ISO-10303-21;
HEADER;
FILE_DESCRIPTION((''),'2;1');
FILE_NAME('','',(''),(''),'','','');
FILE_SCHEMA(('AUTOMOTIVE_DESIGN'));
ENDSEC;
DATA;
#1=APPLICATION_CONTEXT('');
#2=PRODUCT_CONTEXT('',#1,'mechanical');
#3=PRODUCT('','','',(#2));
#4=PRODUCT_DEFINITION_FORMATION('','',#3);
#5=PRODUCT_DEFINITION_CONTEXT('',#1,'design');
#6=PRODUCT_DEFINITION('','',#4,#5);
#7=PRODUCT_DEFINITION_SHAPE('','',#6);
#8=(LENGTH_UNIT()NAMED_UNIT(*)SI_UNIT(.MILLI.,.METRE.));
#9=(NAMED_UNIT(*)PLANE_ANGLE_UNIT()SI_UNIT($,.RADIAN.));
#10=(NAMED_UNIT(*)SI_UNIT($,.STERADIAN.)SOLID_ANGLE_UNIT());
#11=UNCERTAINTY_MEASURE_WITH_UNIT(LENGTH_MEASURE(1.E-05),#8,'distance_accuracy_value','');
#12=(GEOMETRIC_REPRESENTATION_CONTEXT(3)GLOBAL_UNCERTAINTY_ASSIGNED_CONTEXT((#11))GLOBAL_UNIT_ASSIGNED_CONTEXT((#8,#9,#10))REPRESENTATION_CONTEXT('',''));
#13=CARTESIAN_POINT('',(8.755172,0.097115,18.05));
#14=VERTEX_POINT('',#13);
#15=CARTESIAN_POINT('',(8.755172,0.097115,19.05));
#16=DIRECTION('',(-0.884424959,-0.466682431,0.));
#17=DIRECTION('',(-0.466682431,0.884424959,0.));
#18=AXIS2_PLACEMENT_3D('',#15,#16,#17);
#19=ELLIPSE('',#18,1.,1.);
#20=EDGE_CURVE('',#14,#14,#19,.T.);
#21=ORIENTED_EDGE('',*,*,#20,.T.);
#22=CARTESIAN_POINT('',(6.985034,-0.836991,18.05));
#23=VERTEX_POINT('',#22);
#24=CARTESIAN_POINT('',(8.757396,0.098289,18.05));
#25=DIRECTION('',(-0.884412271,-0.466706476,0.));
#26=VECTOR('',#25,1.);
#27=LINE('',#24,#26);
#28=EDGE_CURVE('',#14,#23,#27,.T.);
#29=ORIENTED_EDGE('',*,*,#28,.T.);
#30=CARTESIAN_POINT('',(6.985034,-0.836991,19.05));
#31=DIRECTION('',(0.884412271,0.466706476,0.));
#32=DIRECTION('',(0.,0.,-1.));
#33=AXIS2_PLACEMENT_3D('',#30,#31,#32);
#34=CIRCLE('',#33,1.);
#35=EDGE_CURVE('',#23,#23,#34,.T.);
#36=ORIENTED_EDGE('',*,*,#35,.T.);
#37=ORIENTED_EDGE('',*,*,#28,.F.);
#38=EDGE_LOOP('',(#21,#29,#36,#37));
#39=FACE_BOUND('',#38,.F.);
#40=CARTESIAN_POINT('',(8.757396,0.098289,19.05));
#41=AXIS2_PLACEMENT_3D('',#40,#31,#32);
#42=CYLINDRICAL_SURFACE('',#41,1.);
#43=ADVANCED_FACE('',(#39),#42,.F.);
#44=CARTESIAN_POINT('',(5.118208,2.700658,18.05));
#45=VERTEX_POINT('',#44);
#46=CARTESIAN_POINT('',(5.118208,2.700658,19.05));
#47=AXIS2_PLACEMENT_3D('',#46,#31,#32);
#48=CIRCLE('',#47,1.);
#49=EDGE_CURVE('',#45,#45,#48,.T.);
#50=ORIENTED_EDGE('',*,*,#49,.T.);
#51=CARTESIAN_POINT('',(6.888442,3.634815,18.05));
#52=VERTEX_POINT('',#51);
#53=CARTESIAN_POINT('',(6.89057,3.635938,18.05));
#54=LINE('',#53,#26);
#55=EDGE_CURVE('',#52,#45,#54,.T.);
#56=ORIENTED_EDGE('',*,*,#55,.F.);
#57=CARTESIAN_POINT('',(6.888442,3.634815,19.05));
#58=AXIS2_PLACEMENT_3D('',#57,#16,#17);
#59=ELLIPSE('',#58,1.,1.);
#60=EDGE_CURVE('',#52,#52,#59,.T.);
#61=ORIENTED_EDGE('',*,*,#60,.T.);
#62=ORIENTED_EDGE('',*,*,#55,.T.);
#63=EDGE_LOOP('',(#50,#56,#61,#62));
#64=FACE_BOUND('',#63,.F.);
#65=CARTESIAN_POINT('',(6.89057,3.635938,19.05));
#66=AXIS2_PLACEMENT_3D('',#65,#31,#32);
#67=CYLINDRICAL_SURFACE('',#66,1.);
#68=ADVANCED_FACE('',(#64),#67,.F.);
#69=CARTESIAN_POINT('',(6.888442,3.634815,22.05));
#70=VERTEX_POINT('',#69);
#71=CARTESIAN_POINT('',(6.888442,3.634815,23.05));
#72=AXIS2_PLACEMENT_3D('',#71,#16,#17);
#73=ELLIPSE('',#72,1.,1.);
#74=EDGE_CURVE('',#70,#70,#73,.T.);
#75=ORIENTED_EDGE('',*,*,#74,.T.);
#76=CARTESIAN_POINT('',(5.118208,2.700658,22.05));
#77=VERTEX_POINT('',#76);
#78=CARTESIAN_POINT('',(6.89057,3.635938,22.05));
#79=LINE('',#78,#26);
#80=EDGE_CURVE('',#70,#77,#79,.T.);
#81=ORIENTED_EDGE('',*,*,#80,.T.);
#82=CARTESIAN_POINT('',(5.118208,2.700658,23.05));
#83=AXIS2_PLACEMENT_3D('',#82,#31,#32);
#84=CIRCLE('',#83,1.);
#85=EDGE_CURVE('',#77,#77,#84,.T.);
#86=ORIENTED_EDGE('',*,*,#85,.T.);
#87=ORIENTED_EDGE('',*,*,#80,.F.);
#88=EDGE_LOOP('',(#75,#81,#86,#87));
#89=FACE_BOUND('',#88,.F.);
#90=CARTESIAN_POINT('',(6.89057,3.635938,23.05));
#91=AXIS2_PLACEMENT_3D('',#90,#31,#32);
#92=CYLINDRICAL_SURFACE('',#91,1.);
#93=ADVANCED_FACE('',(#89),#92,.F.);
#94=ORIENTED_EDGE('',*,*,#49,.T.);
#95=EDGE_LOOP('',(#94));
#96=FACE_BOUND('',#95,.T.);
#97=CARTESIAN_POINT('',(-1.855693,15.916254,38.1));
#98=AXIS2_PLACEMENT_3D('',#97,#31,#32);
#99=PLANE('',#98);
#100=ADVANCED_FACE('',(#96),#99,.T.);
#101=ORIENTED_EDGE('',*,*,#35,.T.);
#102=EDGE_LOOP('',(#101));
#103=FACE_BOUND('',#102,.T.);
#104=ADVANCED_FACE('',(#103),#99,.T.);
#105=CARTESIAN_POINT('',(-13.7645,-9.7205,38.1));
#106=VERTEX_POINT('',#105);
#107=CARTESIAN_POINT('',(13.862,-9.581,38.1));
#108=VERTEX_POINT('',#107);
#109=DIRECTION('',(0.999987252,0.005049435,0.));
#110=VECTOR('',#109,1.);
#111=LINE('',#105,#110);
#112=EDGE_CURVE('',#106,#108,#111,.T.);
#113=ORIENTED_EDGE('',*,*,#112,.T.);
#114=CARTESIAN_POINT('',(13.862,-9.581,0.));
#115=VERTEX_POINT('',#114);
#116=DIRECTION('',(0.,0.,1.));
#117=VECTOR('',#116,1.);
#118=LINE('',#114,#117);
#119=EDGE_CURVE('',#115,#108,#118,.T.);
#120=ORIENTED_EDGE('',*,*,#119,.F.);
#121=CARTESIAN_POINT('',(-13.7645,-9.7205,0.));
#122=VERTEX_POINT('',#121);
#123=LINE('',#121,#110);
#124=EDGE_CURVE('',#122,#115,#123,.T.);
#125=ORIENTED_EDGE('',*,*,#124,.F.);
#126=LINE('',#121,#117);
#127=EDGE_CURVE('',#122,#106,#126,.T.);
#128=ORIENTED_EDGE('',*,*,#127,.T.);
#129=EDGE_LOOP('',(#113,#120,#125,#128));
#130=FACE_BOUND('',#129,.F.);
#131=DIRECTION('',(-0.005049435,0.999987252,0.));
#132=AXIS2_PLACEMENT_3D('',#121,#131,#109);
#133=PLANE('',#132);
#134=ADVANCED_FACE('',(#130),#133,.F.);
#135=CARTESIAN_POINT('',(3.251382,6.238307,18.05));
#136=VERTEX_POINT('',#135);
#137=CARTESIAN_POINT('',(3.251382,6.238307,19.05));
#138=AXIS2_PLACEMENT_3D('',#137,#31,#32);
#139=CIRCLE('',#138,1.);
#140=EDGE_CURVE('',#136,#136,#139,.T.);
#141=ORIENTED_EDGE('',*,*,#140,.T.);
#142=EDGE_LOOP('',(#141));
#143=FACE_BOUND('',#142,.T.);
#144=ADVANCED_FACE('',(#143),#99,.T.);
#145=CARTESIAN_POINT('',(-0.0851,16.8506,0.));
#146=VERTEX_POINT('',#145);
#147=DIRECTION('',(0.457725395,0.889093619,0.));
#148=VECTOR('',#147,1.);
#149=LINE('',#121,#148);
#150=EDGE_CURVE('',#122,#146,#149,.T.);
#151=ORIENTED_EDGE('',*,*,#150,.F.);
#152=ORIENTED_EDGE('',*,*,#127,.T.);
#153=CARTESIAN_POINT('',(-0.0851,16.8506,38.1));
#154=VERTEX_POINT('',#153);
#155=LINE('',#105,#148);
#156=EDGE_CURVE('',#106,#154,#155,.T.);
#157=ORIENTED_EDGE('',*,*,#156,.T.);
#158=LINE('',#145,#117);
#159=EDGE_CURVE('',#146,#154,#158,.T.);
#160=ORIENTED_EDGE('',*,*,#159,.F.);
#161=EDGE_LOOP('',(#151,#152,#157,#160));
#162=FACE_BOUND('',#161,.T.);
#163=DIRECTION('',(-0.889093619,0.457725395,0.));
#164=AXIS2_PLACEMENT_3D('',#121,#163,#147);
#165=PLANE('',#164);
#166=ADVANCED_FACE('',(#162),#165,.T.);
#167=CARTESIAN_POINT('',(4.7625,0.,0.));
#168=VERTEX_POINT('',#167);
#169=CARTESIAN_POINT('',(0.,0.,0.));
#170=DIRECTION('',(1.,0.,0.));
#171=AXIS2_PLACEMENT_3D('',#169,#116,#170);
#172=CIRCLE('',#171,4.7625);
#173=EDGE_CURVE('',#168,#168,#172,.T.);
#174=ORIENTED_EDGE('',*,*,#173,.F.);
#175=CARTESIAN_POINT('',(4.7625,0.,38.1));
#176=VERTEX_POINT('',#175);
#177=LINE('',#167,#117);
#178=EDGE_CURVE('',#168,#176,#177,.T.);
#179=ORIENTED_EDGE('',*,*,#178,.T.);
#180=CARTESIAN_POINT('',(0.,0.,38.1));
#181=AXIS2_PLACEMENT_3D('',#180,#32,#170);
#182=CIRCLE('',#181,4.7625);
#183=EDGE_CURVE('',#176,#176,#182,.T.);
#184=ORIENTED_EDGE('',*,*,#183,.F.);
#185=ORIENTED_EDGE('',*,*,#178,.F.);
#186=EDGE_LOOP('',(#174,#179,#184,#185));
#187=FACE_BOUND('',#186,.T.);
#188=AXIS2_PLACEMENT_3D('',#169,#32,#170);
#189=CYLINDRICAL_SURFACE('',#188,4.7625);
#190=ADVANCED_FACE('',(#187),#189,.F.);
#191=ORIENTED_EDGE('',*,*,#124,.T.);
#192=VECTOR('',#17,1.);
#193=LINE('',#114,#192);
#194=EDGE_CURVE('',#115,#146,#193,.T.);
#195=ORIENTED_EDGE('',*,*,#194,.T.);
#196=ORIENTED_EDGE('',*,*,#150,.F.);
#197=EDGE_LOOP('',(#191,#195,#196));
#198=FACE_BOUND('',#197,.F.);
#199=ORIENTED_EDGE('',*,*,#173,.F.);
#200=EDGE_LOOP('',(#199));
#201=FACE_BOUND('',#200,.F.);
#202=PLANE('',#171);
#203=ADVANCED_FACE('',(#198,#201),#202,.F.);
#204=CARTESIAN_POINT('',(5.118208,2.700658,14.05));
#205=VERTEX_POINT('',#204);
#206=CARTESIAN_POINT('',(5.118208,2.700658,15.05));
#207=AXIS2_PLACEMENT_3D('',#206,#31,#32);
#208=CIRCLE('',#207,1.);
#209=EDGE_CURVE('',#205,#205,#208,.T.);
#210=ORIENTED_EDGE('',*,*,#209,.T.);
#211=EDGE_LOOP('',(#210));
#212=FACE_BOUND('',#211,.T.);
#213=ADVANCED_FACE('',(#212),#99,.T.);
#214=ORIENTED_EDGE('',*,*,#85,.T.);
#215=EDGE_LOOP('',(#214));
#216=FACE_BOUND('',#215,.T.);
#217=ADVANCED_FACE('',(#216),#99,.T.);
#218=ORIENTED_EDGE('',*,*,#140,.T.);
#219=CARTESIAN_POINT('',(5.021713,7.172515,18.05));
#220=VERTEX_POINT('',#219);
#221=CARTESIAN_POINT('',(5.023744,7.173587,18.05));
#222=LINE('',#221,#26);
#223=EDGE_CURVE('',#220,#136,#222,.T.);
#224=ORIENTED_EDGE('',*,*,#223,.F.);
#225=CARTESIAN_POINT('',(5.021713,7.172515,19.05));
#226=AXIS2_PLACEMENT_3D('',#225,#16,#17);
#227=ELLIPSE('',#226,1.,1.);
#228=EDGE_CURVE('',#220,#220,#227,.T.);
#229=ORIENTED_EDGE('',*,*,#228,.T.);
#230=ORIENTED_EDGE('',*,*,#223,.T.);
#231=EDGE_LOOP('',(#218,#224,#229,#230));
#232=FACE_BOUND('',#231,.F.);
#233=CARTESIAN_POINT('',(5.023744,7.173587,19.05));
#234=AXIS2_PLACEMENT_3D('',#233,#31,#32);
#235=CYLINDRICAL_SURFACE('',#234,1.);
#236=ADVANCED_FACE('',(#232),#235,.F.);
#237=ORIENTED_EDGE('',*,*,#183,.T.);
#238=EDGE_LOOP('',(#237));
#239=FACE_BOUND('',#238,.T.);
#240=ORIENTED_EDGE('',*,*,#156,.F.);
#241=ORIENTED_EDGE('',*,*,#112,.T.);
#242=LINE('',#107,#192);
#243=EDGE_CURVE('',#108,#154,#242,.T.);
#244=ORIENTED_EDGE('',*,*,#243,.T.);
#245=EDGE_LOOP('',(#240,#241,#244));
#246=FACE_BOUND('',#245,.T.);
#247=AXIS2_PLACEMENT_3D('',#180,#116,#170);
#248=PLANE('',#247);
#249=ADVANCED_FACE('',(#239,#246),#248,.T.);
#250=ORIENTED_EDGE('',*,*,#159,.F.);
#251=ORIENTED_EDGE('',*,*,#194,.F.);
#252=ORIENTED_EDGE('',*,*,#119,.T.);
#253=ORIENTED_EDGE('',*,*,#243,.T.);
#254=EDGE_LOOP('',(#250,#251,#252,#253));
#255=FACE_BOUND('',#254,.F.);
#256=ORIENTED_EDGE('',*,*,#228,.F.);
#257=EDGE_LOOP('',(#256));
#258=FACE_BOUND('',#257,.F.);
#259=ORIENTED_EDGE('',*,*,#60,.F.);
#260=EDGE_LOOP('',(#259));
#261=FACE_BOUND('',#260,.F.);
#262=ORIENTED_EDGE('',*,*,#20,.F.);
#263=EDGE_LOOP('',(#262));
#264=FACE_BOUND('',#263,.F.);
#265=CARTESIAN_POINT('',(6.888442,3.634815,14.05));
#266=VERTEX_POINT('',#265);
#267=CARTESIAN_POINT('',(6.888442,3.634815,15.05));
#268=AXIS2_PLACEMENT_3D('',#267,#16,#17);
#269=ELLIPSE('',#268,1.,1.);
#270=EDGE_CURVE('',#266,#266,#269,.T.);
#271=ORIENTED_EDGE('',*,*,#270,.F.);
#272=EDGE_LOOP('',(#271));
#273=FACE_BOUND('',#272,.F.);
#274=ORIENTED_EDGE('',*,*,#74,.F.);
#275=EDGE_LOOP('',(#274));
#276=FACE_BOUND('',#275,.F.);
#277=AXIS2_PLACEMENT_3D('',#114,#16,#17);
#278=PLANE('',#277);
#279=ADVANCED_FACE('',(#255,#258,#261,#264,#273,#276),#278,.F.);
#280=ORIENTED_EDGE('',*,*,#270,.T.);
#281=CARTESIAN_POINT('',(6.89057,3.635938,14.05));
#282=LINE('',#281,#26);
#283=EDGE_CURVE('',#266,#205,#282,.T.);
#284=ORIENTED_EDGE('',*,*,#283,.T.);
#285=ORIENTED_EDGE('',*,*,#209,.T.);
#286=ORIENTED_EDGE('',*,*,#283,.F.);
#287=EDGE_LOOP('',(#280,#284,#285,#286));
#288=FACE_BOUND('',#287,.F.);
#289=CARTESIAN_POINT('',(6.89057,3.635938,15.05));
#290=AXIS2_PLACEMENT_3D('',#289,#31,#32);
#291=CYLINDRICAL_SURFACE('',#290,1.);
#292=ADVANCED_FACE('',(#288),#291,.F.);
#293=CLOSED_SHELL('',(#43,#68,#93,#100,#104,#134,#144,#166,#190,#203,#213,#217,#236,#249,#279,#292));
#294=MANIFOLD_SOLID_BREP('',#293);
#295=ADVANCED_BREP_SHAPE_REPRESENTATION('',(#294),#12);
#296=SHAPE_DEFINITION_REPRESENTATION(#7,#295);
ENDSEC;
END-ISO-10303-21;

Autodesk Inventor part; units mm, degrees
ref_plane "YZ Plane" through (0, 0, 0) normal (1, 0, 0) x (0, 1, 0)
ref_plane "XZ Plane" through (0, 0, 0) normal (0, 1, 0) x (-1, 0, 0)
ref_plane "XY Plane" through (0, 0, 0) normal (0, 0, 1) x (1, 0, 0)
sketch "Sketch1" plane through (0, 0, 0) normal (0, 0, 1) x (1, 0, 0)
  circle A0 centre (0, 0) radius 4.7625
  line L0 (0, 0) -> (-0.0721, 14.2871)
  circle A1 centre (0, 0) radius 16.8508
  line L1 (-13.7645, -9.7205) -> (13.862, -9.581)
  line L2 (-13.7645, -9.7205) -> (-0.0851, 16.8506)
  line L3 (13.862, -9.581) -> (-0.0851, 16.8506)
  dimension "d0" = 9.525
extrude "Extrusion1" add sketch "Sketch1" along normal blind 38.1 contours L3 L1 L2
sketch "Sketch2" plane through (-0.0851, 16.8506, 38.1) normal (0.8844, 0.4667, 0) x (0, 0, -1)
  circle A0 centre (19.05, -14.9428) radius 1
  circle A1 centre (19.05, -10.9428) radius 1
  circle A2 centre (19.05, -18.9428) radius 1
  circle A3 centre (23.05, -14.9428) radius 1
  circle A4 centre (15.05, -14.9428) radius 1
  point P0 (38.1, -14.9428)
  dimension "d6" = 2
  dimension "d8" = 2
  dimension "d10" = 2
  dimension "d12" = 2
  dimension "d14" = 2
extrude "Extrusion2" cut sketch "Sketch2" against normal blind 2
sketch "Sketch3" plane through (0, 0, 38.1) normal (0, 0, 1) x (1, 0, 0)
  circle A0 centre (0, 0) radius 4.7625 projected
  line L0 (-13.7645, -9.7205) -> (13.862, -9.581) projected
  line L1 (13.862, -9.581) -> (-0.0851, 16.8506) projected
  line L2 (-0.0851, 16.8506) -> (-13.7645, -9.7205) projected
properties part number "Triangle"
